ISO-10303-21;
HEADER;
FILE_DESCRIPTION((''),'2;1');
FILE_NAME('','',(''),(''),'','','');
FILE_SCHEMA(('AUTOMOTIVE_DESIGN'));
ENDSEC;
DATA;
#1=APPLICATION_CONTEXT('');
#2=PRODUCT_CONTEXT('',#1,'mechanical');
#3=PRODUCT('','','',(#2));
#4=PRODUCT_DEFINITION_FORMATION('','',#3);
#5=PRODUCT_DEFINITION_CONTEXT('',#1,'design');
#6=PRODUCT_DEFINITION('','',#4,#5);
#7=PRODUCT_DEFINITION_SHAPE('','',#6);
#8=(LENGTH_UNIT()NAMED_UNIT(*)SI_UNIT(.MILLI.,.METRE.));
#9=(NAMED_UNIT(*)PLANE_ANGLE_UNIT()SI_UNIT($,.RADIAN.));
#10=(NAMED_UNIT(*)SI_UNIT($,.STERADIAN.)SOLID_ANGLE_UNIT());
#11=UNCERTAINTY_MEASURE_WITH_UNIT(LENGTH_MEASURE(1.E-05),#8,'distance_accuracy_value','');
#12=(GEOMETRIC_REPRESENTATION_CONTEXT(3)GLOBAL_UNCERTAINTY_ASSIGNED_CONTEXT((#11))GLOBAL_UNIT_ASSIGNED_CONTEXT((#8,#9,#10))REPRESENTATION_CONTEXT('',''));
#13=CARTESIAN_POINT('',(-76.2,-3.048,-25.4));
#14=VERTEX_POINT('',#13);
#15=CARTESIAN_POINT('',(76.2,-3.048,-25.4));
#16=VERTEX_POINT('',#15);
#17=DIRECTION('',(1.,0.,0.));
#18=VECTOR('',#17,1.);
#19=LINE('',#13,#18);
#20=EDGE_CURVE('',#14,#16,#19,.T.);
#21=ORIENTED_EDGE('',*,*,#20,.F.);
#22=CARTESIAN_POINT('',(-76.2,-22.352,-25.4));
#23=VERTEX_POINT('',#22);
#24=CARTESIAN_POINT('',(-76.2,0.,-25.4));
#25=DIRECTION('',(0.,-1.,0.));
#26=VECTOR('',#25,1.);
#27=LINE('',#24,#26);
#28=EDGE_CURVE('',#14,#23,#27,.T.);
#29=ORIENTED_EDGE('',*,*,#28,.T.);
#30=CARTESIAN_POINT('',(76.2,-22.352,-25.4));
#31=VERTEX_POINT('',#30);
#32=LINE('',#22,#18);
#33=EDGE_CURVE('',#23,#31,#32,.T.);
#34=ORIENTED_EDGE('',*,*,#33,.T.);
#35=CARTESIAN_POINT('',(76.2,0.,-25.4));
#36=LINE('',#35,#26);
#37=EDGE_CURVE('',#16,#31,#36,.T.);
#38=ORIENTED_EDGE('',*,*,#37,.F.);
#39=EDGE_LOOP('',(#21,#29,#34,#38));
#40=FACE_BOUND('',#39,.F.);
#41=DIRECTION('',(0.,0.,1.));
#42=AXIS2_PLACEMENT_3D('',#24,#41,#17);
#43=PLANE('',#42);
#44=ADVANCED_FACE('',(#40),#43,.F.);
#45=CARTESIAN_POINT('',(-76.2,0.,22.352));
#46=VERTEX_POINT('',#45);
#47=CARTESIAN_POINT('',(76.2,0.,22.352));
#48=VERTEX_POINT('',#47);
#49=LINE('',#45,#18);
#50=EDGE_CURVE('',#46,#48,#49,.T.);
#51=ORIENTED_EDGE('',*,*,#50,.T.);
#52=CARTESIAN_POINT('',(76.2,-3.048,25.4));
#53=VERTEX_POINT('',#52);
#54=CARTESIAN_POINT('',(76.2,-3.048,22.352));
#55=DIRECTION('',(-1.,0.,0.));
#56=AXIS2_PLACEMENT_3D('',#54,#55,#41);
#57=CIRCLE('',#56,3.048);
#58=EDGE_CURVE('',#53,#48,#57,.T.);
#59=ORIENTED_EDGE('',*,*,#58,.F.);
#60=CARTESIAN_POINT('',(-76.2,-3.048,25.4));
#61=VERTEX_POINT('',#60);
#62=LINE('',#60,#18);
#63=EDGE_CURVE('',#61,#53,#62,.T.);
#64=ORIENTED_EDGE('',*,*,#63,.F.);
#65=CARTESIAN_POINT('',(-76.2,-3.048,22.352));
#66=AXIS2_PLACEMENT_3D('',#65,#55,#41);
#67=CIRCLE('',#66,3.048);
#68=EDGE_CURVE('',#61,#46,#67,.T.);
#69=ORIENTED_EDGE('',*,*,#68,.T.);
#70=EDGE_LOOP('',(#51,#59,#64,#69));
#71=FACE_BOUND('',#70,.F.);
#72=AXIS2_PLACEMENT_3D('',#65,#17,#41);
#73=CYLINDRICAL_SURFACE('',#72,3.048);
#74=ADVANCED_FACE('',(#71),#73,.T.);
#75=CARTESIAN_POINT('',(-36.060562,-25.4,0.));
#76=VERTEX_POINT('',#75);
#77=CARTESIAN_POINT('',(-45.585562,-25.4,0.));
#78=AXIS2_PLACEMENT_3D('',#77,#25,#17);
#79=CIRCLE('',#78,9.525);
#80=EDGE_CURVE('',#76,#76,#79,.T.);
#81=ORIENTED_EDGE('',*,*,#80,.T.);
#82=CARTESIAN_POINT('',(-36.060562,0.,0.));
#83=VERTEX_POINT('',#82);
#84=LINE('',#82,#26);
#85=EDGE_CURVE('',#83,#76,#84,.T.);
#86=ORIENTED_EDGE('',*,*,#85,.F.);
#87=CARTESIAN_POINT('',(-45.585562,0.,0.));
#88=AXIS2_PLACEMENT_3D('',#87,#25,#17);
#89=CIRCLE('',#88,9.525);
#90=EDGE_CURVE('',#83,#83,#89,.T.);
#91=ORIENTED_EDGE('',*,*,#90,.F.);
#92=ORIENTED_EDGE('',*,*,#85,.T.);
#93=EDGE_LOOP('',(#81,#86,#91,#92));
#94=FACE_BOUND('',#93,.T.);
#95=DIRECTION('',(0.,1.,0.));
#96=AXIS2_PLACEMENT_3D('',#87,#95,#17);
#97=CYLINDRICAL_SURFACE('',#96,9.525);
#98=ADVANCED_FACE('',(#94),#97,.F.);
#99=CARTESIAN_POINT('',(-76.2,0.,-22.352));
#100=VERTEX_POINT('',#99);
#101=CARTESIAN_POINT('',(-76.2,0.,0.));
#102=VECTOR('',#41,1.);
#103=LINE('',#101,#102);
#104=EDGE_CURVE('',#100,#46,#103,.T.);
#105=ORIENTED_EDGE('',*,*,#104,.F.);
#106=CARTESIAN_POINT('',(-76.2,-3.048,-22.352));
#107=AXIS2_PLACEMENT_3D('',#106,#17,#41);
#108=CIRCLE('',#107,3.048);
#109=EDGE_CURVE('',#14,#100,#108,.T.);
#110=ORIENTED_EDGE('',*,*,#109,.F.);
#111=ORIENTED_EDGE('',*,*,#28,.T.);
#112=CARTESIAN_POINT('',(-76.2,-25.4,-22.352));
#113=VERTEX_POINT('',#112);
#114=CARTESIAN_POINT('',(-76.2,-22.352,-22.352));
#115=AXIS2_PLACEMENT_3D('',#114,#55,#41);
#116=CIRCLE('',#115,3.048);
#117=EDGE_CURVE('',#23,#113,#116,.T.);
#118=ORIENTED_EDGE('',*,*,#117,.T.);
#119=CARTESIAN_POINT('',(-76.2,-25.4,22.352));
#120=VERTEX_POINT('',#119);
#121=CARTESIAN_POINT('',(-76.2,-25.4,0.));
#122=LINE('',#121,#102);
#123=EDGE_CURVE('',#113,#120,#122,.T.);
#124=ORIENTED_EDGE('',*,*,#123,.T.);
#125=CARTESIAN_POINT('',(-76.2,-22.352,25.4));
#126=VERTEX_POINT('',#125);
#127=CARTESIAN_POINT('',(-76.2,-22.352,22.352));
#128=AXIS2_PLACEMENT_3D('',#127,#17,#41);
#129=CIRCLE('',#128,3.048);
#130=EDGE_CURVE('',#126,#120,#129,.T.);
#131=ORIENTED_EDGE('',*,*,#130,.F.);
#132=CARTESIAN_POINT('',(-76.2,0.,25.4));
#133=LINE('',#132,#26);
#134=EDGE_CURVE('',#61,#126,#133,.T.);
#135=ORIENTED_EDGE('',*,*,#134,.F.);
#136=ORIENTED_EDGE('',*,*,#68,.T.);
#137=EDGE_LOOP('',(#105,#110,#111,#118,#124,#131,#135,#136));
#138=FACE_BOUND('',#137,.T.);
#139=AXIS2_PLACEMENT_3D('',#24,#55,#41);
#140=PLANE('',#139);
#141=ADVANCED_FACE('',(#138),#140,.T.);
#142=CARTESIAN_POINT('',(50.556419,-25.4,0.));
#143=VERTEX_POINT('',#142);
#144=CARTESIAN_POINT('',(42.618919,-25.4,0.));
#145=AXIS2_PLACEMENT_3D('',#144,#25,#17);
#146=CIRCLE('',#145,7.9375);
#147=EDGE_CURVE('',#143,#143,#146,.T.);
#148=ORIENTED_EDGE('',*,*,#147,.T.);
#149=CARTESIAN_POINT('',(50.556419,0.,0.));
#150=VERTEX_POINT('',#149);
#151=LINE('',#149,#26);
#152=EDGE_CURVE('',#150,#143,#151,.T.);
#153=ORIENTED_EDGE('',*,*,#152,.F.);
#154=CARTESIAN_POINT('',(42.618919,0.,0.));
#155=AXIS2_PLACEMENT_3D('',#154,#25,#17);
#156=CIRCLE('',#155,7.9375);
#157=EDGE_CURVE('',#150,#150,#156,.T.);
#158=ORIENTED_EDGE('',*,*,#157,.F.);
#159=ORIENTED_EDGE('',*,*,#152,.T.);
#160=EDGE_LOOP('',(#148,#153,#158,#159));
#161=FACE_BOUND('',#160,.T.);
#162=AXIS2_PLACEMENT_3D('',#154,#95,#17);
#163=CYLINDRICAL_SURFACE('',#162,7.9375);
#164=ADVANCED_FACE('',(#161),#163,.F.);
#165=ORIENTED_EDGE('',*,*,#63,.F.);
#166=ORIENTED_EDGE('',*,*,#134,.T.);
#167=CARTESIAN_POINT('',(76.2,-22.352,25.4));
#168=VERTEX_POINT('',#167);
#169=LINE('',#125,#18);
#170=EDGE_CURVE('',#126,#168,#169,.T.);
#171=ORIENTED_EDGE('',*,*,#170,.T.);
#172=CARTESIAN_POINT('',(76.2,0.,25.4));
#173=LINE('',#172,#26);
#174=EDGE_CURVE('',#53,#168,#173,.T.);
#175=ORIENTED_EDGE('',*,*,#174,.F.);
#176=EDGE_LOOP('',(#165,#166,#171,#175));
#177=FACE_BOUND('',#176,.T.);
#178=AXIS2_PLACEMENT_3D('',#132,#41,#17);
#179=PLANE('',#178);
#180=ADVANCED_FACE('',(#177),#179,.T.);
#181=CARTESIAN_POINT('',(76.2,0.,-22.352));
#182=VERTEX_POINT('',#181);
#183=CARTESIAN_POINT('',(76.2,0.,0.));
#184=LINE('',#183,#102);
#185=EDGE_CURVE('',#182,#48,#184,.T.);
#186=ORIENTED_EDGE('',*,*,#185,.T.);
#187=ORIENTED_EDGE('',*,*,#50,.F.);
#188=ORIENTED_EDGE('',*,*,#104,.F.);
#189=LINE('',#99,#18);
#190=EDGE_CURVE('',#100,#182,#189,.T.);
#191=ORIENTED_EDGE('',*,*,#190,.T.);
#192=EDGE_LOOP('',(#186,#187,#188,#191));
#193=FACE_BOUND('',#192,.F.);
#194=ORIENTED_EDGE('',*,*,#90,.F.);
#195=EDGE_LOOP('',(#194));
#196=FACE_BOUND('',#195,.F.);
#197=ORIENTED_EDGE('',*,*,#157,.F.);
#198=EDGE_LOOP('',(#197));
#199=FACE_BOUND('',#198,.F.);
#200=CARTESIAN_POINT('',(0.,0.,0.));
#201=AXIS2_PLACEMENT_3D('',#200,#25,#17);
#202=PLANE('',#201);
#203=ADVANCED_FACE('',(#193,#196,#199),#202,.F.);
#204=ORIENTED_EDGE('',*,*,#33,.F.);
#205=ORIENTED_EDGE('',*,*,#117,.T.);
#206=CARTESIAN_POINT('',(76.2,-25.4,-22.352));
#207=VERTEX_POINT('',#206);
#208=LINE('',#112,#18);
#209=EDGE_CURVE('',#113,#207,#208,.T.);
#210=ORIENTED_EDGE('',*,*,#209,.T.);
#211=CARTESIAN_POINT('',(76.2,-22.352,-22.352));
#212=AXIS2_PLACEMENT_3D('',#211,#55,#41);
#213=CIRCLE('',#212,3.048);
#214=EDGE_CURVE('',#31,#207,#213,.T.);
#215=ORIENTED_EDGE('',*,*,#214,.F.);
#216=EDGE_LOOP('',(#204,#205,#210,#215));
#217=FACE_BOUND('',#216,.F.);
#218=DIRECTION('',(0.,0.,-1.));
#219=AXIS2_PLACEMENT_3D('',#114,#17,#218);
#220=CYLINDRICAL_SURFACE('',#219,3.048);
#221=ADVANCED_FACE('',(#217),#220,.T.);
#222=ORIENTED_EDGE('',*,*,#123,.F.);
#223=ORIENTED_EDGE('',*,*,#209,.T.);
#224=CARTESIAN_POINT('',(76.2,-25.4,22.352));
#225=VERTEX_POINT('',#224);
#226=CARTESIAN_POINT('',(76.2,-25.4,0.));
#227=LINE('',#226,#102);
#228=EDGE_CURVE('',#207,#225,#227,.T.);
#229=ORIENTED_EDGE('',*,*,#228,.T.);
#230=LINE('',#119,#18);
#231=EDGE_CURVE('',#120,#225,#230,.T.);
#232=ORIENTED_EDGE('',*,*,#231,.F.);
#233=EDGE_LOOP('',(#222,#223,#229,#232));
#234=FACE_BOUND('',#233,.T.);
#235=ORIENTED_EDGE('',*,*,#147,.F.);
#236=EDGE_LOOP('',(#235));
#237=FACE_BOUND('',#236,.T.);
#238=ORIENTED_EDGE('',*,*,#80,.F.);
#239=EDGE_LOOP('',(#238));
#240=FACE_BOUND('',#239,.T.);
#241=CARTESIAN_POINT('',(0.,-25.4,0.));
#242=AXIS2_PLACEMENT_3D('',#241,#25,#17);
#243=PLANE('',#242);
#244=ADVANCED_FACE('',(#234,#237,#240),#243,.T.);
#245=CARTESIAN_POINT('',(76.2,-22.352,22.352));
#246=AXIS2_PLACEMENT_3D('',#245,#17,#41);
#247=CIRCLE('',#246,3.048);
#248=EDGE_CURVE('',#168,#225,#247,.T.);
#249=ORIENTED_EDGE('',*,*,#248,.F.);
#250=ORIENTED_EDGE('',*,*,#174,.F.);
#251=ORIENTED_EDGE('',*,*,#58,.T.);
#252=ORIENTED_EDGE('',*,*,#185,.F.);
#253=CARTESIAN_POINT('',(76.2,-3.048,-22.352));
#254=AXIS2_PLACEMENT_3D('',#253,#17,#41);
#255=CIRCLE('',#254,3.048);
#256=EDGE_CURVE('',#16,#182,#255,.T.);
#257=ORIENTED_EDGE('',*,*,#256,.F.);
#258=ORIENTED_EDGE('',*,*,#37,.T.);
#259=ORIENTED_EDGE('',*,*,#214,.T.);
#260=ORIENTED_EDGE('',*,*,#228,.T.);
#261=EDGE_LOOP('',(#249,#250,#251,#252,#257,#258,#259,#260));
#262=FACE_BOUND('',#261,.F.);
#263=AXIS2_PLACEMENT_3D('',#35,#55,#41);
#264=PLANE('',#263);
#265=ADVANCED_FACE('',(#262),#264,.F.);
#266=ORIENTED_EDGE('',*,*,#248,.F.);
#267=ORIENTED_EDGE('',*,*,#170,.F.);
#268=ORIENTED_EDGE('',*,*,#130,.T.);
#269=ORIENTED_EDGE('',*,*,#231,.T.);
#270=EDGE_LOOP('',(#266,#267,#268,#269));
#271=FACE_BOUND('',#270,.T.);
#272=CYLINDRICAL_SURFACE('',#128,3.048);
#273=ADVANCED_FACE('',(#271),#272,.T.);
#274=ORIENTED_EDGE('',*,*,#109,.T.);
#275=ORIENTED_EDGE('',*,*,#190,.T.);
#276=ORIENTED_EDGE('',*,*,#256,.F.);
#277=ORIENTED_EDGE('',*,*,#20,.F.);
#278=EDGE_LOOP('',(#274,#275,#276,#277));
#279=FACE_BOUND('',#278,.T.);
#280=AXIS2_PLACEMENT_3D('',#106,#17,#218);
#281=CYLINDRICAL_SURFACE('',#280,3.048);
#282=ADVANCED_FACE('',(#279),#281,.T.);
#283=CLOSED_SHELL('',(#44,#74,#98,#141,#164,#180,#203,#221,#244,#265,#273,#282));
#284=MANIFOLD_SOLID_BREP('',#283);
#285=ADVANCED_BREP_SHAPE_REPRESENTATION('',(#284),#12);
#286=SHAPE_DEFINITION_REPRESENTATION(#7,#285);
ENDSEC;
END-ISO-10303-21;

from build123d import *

# Parameters (mm, degrees)
F0_W     = 152.4
F0_H     = 50.8
F0_R     = 9.525
F0_R_2   = 7.9375
F1_DEPTH = 25.4
F2_R     = 3.048


with BuildPart() as f1:
    # F0 (on Front) → F1 (new body)
    with BuildSketch(Plane.XZ):
        Rectangle(F0_W, F0_H)
        with Locations((-45.585562, 0)):
            Circle(F0_R, mode=Mode.SUBTRACT)
        with Locations((42.618919, 0)):
            Circle(F0_R_2, mode=Mode.SUBTRACT)
    extrude(amount=F1_DEPTH)

    # F2
    f2_edges = [f1.edges().sort_by_distance(p)[0] for p in [
        (0, -25.4, 25.4),
        (0, -25.4, -25.4),
        (0, 0, 25.4),
        (0, 0, -25.4),
    ]]
    fillet(f2_edges, radius=F2_R)


solid = f1.part
